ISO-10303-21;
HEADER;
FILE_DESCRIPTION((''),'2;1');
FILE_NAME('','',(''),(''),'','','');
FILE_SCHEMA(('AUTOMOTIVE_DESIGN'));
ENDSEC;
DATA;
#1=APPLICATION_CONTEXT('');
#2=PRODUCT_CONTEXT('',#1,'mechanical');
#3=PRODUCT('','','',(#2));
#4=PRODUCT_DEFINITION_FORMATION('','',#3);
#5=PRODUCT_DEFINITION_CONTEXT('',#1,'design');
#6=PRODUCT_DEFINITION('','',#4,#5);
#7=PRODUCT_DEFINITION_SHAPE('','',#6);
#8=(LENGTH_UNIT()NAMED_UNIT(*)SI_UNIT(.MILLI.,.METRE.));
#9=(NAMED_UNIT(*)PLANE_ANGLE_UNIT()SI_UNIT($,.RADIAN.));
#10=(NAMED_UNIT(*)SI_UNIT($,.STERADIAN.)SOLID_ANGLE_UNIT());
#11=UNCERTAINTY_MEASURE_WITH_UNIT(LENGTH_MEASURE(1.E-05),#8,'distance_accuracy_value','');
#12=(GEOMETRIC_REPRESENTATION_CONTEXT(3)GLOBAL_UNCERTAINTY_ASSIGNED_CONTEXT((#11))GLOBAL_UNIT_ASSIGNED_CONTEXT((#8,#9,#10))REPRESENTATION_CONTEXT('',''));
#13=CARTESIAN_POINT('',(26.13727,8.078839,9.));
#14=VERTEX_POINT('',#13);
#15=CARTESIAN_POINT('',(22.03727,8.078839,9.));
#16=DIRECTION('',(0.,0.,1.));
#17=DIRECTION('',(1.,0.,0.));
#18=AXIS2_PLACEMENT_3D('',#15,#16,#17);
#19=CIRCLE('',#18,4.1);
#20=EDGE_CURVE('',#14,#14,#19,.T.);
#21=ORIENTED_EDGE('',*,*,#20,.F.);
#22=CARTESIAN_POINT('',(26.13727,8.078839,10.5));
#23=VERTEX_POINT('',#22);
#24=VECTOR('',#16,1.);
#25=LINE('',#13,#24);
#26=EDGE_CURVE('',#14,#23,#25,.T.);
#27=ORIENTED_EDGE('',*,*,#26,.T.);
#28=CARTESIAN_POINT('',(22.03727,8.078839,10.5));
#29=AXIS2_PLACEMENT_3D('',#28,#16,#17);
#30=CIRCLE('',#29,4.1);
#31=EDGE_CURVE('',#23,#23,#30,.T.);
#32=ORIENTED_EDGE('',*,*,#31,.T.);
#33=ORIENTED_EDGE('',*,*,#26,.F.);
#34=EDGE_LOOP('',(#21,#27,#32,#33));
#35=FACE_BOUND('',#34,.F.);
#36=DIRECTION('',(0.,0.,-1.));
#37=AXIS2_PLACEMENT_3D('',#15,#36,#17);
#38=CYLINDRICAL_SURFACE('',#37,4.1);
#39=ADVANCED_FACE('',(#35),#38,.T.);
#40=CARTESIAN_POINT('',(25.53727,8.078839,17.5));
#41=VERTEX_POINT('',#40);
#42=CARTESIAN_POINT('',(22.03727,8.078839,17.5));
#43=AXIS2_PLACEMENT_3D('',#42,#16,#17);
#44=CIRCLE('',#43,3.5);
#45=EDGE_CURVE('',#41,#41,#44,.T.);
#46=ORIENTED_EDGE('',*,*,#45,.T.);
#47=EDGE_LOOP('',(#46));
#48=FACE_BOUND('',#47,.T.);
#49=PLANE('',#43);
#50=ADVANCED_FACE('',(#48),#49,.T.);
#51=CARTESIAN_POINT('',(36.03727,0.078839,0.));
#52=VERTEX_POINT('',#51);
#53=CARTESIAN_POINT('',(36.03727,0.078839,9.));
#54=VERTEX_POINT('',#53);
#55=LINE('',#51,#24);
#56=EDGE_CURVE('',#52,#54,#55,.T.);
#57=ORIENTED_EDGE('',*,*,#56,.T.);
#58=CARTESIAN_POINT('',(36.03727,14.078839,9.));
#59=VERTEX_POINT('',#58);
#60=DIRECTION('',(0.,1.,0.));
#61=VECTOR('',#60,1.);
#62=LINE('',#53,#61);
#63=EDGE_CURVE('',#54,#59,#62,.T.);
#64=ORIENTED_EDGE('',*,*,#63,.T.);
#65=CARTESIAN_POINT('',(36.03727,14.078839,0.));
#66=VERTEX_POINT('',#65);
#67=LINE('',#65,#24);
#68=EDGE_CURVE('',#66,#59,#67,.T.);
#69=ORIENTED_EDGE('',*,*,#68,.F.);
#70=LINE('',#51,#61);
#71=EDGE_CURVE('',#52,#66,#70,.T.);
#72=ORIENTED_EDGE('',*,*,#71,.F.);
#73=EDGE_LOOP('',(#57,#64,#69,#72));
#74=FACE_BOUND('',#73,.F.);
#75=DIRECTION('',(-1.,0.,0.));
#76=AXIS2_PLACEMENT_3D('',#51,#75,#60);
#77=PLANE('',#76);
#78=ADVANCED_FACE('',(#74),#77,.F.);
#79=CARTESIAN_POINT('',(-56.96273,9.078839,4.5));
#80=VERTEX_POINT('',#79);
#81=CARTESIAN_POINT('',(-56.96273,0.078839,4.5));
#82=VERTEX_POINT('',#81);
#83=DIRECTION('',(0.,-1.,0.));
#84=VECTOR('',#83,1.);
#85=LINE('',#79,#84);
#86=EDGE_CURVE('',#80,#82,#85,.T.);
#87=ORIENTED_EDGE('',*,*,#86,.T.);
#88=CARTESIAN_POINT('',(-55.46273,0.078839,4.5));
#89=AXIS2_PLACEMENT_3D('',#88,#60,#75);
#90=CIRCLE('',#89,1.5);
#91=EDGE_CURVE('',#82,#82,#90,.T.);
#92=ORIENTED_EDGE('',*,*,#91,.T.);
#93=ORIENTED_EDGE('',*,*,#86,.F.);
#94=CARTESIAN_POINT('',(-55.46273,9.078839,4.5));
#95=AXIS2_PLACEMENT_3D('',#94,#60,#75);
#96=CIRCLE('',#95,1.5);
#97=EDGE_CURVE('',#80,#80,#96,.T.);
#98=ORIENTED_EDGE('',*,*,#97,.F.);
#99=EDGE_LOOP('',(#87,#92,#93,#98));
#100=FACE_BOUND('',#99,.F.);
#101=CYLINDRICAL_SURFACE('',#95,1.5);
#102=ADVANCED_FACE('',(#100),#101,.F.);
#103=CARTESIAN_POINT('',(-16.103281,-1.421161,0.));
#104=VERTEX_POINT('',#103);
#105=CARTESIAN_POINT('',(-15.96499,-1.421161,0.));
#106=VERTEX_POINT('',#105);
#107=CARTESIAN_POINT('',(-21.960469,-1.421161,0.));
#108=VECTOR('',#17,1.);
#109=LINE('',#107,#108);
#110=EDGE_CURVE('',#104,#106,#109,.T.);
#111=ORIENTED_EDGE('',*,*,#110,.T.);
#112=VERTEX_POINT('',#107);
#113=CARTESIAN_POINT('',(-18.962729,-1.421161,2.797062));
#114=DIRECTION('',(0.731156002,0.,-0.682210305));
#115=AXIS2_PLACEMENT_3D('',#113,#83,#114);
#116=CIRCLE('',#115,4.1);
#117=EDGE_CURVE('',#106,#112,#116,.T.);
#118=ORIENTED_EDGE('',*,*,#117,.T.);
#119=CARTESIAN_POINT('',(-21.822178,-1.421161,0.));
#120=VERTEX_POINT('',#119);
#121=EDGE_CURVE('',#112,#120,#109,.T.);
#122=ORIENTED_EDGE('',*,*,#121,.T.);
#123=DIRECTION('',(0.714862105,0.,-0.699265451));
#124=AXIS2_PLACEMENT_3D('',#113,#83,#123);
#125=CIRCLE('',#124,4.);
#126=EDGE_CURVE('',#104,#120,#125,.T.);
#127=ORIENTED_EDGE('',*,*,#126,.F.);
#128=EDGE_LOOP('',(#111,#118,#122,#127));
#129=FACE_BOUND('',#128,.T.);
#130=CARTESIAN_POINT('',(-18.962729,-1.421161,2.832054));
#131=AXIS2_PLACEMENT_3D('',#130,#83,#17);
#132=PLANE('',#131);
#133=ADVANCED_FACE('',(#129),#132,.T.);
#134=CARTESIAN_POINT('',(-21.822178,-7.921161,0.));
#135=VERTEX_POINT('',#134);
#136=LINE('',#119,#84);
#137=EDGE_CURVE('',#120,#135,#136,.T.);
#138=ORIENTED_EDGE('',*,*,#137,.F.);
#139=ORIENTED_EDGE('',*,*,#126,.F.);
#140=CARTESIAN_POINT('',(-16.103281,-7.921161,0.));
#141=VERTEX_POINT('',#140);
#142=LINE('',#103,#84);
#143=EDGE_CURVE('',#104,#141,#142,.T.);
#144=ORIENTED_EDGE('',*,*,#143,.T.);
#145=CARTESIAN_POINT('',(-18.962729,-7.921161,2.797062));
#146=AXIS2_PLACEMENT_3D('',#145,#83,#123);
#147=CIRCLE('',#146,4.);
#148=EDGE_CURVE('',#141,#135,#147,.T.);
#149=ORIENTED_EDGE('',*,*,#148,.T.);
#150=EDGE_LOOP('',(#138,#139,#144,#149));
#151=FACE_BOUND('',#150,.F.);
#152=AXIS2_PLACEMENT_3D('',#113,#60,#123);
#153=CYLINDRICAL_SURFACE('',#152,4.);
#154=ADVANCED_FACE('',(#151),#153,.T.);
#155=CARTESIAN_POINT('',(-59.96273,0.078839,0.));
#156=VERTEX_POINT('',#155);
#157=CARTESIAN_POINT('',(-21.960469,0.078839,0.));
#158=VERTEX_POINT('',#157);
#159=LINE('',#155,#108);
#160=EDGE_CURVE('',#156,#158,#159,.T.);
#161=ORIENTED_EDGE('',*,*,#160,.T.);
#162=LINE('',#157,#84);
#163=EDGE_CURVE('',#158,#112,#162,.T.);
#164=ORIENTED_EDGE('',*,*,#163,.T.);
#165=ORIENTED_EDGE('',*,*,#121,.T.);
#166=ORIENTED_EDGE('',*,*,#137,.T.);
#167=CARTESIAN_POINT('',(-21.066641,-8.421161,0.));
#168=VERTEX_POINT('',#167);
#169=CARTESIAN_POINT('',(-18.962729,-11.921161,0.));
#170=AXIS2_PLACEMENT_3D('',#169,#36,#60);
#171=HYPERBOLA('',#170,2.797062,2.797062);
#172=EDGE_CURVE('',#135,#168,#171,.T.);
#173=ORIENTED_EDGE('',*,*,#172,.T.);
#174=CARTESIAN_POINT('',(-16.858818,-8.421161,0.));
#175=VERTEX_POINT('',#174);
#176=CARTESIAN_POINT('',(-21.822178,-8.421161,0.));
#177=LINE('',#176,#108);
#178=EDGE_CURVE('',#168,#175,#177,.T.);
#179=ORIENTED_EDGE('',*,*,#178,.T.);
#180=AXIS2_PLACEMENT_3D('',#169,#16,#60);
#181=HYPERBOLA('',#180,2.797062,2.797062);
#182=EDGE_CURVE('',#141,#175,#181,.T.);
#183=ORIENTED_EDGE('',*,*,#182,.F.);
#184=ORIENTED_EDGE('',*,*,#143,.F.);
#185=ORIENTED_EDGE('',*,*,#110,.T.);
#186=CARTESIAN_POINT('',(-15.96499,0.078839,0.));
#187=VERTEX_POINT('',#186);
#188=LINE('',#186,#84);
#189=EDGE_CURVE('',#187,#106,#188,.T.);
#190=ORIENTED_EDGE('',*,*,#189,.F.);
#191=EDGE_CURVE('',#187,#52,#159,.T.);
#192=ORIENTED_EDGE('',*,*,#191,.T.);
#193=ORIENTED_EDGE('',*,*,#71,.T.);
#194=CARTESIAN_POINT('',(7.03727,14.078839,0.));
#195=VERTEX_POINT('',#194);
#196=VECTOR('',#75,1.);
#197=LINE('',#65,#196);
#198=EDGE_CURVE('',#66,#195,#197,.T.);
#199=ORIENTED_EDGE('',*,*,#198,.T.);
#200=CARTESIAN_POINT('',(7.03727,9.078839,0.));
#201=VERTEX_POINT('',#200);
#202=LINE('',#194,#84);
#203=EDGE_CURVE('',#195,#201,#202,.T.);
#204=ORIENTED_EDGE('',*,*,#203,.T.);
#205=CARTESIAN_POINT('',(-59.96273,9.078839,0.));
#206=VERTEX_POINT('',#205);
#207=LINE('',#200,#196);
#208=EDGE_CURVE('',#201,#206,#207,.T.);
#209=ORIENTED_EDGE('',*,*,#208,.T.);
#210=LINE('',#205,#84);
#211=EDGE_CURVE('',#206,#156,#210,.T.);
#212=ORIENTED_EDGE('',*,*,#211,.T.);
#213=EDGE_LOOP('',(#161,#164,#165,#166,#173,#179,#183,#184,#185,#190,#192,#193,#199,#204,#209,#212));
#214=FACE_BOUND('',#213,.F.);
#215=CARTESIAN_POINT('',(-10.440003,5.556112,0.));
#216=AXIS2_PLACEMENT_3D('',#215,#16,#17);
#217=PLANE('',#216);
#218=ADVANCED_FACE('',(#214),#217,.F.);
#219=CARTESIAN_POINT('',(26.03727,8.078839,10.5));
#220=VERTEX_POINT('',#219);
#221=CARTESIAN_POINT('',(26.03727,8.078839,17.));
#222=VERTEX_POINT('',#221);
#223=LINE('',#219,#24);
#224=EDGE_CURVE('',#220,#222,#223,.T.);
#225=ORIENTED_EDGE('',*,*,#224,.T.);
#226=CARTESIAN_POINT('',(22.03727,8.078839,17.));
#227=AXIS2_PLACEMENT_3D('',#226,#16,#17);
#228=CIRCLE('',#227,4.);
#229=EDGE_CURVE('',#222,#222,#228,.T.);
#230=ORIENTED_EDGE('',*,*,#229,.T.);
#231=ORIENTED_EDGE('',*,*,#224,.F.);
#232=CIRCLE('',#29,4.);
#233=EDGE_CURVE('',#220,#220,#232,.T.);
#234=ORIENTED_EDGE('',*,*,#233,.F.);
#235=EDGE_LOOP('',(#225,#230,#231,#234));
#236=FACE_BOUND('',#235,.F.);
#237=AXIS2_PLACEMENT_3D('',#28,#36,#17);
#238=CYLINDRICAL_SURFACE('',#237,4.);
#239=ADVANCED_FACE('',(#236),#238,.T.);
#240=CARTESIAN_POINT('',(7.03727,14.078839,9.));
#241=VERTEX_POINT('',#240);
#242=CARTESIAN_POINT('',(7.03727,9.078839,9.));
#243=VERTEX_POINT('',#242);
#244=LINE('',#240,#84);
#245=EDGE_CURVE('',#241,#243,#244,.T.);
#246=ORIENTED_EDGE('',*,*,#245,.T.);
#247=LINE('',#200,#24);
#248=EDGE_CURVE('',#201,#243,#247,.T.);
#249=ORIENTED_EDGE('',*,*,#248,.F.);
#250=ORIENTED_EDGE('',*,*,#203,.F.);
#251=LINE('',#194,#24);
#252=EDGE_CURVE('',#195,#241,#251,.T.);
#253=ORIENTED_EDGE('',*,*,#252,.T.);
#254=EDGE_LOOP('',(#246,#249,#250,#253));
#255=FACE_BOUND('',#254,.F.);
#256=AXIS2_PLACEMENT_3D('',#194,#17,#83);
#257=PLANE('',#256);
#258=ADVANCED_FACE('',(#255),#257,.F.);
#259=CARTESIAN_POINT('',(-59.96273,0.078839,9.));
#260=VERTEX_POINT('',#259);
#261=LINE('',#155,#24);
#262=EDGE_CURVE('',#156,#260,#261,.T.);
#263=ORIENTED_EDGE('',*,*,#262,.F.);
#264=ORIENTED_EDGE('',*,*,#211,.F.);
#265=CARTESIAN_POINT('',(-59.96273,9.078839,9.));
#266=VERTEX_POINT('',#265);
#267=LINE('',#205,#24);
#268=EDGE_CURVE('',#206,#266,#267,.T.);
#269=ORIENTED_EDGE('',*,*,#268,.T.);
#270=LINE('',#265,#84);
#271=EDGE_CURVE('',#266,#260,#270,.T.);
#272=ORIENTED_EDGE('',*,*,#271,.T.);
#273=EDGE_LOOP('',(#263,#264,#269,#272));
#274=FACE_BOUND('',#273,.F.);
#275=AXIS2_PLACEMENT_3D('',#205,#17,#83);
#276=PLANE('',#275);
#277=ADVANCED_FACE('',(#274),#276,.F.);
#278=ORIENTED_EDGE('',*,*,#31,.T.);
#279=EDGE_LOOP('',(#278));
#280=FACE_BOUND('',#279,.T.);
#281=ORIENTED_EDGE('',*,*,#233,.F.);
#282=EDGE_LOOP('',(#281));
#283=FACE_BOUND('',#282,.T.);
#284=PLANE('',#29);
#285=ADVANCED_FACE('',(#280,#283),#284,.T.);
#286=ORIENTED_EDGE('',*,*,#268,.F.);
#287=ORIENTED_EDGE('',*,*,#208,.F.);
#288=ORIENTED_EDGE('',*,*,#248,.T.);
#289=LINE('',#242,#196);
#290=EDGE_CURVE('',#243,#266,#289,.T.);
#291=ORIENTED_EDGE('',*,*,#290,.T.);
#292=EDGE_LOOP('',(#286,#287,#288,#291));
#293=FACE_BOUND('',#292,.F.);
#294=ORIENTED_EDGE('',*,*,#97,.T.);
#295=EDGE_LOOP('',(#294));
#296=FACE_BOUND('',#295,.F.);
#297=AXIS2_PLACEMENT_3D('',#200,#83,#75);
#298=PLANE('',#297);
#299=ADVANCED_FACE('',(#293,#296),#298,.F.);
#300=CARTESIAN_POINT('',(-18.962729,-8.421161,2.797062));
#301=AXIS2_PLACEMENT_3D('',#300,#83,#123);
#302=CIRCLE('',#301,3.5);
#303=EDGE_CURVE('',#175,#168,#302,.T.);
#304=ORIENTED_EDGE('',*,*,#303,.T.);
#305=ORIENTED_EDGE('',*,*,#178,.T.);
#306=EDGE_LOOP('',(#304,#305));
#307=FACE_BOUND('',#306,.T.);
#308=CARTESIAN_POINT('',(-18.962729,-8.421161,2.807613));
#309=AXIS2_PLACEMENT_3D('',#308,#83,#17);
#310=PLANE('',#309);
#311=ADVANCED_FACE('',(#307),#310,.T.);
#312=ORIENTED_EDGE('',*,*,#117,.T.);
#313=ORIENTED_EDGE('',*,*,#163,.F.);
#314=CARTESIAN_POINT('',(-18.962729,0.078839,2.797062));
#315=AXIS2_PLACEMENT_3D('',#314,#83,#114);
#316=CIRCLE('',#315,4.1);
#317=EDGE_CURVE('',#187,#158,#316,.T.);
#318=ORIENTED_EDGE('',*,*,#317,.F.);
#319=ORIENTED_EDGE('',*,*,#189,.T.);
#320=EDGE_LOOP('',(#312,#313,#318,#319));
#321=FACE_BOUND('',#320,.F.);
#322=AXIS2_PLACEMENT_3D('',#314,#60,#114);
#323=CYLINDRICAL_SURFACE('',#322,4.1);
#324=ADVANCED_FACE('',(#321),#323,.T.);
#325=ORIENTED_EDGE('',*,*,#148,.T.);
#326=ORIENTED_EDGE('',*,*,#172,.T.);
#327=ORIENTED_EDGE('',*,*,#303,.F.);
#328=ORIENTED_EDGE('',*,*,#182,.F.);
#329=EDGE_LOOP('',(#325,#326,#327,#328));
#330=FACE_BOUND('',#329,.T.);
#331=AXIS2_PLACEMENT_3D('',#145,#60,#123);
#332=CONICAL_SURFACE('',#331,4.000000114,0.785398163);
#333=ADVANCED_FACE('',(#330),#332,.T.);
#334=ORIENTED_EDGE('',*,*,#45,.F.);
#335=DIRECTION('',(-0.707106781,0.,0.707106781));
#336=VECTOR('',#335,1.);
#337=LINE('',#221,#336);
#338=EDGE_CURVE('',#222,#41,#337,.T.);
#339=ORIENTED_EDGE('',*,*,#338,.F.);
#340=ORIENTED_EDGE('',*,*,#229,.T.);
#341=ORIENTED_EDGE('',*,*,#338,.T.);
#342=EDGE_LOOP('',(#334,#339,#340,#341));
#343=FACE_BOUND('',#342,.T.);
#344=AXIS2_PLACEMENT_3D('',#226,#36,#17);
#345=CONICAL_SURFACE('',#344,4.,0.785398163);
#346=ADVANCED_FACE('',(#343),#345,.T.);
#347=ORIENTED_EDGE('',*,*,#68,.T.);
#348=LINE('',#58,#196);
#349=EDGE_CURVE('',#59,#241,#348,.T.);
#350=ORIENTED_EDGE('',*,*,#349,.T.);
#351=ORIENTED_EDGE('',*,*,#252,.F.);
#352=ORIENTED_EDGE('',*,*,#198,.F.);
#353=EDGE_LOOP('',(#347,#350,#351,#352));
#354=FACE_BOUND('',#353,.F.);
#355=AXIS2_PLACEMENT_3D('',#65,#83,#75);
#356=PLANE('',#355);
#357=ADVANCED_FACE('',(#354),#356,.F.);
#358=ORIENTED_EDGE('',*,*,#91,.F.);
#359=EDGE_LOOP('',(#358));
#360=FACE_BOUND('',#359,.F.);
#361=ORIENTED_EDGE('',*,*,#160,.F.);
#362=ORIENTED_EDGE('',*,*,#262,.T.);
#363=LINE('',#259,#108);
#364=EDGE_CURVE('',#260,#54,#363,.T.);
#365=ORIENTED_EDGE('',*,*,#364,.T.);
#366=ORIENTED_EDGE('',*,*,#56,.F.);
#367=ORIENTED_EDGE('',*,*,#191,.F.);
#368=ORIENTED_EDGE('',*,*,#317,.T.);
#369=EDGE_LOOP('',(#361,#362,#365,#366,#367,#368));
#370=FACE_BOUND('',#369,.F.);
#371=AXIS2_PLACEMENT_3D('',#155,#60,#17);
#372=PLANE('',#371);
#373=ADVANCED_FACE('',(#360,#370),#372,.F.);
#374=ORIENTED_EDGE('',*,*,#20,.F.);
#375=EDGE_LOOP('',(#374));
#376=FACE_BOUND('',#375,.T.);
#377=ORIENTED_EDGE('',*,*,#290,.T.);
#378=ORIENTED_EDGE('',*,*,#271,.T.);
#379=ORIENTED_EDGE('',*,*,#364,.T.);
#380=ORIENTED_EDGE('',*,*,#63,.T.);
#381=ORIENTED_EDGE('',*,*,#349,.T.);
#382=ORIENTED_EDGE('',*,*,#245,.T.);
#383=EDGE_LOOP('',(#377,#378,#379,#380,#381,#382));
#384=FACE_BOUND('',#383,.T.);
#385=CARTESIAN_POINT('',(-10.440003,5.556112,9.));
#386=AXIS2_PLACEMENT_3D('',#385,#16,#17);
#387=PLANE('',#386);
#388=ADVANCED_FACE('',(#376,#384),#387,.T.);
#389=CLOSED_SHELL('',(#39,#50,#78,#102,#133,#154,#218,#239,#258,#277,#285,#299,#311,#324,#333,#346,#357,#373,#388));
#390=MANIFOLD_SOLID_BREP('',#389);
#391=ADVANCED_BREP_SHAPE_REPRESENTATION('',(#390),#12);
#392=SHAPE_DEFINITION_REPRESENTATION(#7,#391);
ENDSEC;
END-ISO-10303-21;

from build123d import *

# Parameters (mm, degrees)
PAD_DEPTH    = 9
SKETCH001_R  = 4.1
PAD001_DEPTH = 1.5
SKETCH002_R  = 4
PAD002_DEPTH = 7
PAD003_DEPTH = 1.5
PAD004_DEPTH = 7
SKETCH005_R  = 1.5
POCKET_DEPTH = 17.501
CHAMFER_SIZE = 0.5


with BuildPart() as part:
    # Sketch → Pad (new body)
    with BuildSketch(Plane.XY):
        Polygon((-59.96273, 0.078839), (36.03727, 0.078839), (36.03727, 14.078839), (7.03727, 14.078839), (7.03727, 9.078839), (-59.96273, 9.078839), align=None)
    extrude(amount=PAD_DEPTH)

    # Sketch001 → Pad001 (new body)
    with BuildSketch(Plane.XY.offset(9)):
        with Locations((22.03727, 8.078839)):
            Circle(SKETCH001_R)
    extrude(amount=PAD001_DEPTH)

    # Sketch002 → Pad002 (new body)
    with BuildSketch(Plane.XY.offset(10.5)):
        with Locations((22.03727, 8.078839)):
            Circle(SKETCH002_R)
    extrude(amount=PAD002_DEPTH)

    # Sketch003 → Pad003 (new body)
    with BuildSketch(Plane.XZ.offset(-0.078839)):
        with BuildLine():
            ThreePointArc((-15.96499, 0), (-18.96273, 6.897062), (-21.960469, 0))
            Line((-21.960469, 0), (-15.96499, 0))
        make_face()
    extrude(amount=PAD003_DEPTH)

    # Sketch004 → Pad004 (new body)
    with BuildSketch(Plane.XZ.offset(1.421161)):
        with BuildLine():
            ThreePointArc((-16.103281, 0), (-18.96273, 6.797062), (-21.822178, 0))
            Line((-21.822178, 0), (-16.103281, 0))
        make_face()
    extrude(amount=PAD004_DEPTH)

    # Sketch005 → Pocket (cut, through all)
    with BuildSketch(Plane(origin=(0, 9.078839, 0), x_dir=(-1, 0, 0), z_dir=(0, 1, 0))):
        with Locations((55.46273, 4.5)):
            Circle(SKETCH005_R)
    extrude(amount=-POCKET_DEPTH, mode=Mode.SUBTRACT)

    # Chamfer
    chamfer_edges = [part.edges().sort_by_distance(p)[0] for p in [
        (-18.96273, -8.421161, 6.797062),
        (18.03727, 8.078839, 17.5),
    ]]
    chamfer(chamfer_edges, length=CHAMFER_SIZE)


solid = part.part
